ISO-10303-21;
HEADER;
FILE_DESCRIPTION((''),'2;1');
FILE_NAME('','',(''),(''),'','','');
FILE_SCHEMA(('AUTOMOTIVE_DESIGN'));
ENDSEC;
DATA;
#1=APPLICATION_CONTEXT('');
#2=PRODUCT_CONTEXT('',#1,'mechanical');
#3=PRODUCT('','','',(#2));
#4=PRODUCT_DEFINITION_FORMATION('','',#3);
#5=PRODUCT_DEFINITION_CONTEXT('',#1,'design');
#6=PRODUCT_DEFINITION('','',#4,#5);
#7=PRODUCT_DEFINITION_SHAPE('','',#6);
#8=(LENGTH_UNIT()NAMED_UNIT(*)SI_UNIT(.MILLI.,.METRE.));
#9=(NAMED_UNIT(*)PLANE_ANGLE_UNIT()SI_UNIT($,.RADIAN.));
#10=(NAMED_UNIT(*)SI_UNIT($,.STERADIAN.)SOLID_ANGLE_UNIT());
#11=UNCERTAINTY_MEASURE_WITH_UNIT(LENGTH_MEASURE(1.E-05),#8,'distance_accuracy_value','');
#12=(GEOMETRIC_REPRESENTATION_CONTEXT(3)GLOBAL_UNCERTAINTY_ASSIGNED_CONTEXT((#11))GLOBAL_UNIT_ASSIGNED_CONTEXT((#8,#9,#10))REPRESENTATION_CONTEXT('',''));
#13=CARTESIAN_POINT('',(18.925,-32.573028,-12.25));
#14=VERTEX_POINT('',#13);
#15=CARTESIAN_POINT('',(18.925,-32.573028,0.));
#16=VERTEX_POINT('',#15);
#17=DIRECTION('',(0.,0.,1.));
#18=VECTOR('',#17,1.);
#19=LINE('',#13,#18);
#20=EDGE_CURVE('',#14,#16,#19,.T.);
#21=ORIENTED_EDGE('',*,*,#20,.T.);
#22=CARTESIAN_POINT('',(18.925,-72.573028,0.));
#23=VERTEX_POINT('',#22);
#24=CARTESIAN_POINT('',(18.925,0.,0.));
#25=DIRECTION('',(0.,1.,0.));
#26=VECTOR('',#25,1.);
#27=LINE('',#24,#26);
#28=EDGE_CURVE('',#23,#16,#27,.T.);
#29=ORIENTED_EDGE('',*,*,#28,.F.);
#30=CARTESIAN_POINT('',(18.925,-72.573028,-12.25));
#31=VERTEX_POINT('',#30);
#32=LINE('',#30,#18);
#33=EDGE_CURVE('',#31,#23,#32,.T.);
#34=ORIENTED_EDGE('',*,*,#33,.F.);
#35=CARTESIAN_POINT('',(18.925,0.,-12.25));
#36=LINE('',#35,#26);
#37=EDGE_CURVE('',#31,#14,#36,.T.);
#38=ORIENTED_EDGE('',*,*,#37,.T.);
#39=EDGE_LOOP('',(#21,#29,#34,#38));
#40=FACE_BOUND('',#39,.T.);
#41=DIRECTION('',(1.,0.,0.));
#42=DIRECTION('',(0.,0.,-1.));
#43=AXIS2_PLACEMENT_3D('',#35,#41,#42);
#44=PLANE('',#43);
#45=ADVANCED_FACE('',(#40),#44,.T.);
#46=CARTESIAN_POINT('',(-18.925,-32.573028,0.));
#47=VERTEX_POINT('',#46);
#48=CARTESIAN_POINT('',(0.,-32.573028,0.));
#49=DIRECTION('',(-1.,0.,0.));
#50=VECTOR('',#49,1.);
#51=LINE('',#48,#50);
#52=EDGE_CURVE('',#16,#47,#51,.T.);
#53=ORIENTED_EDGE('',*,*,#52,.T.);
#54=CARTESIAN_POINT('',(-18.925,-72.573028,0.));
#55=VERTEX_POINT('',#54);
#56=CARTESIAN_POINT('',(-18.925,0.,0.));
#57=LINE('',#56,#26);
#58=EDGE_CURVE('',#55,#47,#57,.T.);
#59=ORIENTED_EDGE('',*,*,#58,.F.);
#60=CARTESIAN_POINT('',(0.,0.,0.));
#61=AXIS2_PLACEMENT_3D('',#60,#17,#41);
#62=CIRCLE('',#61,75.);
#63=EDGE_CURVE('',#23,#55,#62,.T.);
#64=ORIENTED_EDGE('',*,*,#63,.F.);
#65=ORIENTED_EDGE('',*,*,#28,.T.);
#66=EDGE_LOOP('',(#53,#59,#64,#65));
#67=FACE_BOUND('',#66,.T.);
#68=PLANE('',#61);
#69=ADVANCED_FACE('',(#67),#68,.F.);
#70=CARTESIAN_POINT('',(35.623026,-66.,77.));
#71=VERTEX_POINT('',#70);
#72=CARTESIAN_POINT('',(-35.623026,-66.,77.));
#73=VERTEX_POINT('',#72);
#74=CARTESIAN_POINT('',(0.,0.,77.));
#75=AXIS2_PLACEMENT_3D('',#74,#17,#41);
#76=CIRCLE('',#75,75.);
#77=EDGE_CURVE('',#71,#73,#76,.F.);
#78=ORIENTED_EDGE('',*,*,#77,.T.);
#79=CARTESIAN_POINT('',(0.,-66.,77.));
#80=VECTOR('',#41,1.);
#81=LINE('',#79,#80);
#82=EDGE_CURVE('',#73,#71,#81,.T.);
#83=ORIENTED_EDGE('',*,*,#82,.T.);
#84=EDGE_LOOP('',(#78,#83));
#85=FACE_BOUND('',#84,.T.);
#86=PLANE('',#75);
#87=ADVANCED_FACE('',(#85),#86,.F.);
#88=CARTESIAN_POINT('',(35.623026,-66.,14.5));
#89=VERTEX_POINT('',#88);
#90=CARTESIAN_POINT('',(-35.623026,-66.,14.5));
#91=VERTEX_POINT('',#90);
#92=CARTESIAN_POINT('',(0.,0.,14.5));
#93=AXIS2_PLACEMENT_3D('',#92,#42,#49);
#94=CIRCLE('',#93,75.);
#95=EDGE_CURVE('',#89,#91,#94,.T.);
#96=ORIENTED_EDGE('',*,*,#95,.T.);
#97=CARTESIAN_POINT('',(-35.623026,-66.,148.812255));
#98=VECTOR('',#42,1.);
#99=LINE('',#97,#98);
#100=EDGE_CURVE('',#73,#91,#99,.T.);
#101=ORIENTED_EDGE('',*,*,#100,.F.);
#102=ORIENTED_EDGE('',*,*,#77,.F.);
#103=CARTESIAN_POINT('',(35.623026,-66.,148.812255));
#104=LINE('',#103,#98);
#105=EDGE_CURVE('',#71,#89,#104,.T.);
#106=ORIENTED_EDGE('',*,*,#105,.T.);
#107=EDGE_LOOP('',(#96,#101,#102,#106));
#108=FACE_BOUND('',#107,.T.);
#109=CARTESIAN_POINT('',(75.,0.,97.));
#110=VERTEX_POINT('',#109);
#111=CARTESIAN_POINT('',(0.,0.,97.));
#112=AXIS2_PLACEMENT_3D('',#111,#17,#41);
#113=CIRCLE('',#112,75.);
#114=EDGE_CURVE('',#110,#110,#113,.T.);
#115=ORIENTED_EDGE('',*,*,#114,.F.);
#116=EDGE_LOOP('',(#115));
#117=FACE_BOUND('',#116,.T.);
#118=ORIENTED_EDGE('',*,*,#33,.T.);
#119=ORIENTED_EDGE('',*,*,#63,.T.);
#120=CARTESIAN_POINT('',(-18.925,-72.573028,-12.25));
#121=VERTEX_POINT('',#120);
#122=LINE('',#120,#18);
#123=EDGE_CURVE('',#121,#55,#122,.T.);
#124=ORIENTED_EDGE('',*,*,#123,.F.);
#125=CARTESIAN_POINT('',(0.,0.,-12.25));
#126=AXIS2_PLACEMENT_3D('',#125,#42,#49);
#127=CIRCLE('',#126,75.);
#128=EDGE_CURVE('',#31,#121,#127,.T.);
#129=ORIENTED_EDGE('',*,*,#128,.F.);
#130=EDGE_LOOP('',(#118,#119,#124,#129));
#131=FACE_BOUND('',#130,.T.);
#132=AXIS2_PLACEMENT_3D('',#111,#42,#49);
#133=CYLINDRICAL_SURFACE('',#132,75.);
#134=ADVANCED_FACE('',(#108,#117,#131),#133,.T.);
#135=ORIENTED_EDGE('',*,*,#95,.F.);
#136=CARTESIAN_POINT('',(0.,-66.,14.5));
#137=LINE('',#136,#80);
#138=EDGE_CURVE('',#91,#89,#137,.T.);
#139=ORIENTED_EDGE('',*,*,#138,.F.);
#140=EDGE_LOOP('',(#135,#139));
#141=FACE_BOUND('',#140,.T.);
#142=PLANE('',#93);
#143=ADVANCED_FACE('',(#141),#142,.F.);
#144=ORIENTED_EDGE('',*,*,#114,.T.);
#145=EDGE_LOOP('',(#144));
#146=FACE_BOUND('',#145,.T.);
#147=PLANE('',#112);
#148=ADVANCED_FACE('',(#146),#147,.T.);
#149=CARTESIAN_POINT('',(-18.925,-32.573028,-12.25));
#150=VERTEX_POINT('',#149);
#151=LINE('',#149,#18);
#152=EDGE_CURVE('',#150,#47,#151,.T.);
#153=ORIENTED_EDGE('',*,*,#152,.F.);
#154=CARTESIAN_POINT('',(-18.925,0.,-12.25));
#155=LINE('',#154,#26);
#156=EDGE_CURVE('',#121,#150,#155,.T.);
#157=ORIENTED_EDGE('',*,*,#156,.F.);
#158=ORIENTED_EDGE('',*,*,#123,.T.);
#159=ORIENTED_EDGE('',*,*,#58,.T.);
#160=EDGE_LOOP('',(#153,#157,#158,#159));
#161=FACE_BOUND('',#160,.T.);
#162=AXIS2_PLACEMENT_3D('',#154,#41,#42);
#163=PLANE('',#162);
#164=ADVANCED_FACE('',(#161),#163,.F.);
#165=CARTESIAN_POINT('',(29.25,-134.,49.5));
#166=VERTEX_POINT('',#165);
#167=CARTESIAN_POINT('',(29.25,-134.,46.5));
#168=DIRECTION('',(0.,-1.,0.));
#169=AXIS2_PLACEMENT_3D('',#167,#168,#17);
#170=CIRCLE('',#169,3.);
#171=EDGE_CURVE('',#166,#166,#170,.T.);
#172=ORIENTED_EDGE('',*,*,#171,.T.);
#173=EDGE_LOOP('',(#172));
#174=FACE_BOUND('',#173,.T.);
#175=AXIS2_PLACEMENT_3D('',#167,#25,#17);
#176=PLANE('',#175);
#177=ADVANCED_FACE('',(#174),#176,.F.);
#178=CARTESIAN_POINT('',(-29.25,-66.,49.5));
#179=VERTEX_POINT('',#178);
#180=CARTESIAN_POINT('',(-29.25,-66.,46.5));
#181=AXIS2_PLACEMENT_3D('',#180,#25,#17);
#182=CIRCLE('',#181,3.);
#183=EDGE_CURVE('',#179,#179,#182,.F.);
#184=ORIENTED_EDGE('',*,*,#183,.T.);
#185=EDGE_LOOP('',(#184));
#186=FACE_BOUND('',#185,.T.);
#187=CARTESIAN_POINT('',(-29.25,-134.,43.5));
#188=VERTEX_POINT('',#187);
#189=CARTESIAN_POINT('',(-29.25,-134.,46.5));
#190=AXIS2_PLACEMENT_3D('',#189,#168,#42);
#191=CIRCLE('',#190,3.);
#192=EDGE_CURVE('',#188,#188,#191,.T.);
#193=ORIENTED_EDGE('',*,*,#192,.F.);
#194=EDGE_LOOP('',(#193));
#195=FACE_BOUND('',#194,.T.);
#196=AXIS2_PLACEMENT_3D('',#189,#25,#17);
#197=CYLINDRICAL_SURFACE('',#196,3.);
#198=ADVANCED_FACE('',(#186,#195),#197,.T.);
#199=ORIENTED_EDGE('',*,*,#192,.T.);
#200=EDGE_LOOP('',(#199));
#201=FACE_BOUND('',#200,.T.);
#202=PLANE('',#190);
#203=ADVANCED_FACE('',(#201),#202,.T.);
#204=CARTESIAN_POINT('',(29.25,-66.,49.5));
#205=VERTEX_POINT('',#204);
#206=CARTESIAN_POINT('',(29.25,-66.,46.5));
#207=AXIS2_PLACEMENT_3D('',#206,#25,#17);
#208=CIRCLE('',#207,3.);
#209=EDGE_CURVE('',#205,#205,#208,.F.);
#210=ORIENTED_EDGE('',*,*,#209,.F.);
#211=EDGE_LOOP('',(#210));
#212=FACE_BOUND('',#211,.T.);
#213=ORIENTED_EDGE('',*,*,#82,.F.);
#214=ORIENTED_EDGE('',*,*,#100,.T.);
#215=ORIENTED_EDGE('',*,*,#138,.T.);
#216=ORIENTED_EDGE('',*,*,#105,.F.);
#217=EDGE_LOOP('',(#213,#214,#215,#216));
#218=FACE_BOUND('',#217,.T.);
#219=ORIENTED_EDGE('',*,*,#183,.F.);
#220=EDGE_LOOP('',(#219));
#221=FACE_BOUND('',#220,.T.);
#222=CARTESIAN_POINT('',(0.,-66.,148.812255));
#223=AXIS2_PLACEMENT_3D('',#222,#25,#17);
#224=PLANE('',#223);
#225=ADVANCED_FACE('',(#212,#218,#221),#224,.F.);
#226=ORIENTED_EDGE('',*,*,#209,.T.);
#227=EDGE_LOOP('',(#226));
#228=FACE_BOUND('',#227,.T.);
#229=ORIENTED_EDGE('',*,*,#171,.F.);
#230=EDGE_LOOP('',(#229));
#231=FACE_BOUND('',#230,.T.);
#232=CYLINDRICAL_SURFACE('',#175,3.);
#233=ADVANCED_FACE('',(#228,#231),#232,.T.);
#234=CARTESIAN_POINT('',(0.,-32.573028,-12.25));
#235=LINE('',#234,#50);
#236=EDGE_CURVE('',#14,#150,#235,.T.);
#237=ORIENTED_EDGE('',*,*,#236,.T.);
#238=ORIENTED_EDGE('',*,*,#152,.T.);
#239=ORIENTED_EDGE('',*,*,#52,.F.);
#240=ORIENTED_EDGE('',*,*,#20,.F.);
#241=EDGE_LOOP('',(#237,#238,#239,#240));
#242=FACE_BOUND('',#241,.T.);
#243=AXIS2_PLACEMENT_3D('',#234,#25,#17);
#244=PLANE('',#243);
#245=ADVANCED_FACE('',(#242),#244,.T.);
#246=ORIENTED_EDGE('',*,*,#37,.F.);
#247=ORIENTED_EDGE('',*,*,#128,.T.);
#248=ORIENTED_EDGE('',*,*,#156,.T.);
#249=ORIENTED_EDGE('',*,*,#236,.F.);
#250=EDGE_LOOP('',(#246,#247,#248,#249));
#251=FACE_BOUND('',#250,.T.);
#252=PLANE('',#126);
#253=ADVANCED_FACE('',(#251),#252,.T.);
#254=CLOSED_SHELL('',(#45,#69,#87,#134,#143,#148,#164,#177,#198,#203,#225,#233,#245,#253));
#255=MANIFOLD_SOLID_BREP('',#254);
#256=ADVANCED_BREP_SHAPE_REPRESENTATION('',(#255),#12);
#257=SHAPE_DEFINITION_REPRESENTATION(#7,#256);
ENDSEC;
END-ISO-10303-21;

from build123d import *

# Parameters (mm, degrees)
SKETCH1_R           = 75
BOSS_EXTRUDE1_DEPTH = 97
CUT_EXTRUDE1_START  = -62.5
CUT_EXTRUDE1_DEPTH  = 62.5
SKETCH3_R           = 3
BOSS_EXTRUDE2_DEPTH = 68
BOSS_EXTRUDE3_START = 12.25
SKETCH4_W           = 37.85
SKETCH4_H           = 40
BOSS_EXTRUDE3_DEPTH = 12.25


with BuildPart() as part:
    # Sketch1 → Boss-Extrude1 (new body)
    with BuildSketch(Plane.XY):
        with Locations(Location((0, 0, 0), (0, 0, 180))):
            Circle(SKETCH1_R)
    extrude(amount=BOSS_EXTRUDE1_DEPTH)

    # Sketch2 → Cut-Extrude1 (cut)
    with BuildSketch(Plane(origin=(0, 0, 14.5), x_dir=(-1, 0, 0), z_dir=(0, 0, -1)).offset(CUT_EXTRUDE1_START)):
        Polygon((404.05546865, -66), (35.623026261, -66), (-35.623026261, -66), (-404.05546865, -66), (-404.05546865, -802.864884777), (404.05546865, -802.864884777), align=None)
    extrude(amount=CUT_EXTRUDE1_DEPTH, mode=Mode.SUBTRACT)

    # Sketch3 → Boss-Extrude2 (add)
    with BuildSketch(Plane.XZ.offset(66)):
        with Locations(Location((-29.25, 46.5, 0), (0, 0, 90))):
            Circle(SKETCH3_R)
        with Locations(Location((29.25, 46.5, 0), (0, 0, 90))):
            Circle(SKETCH3_R)
    extrude(amount=BOSS_EXTRUDE2_DEPTH)

    # Sketch4 → Boss-Extrude3 (add)
    with BuildSketch(Plane(origin=(0, 0, 0), x_dir=(-1, 0, 0), z_dir=(0, 0, -1)).offset(BOSS_EXTRUDE3_START)):
        with Locations((0, -52.573027875)):
            Rectangle(SKETCH4_W, SKETCH4_H)
        with BuildLine():
            Line((18.925, -72.573027875), (-18.925, -72.573027875))
            ThreePointArc((-18.925, -72.573027875), (0, -75), (18.925, -72.573027875))
        make_face()
    extrude(amount=-BOSS_EXTRUDE3_DEPTH)


solid = part.part
